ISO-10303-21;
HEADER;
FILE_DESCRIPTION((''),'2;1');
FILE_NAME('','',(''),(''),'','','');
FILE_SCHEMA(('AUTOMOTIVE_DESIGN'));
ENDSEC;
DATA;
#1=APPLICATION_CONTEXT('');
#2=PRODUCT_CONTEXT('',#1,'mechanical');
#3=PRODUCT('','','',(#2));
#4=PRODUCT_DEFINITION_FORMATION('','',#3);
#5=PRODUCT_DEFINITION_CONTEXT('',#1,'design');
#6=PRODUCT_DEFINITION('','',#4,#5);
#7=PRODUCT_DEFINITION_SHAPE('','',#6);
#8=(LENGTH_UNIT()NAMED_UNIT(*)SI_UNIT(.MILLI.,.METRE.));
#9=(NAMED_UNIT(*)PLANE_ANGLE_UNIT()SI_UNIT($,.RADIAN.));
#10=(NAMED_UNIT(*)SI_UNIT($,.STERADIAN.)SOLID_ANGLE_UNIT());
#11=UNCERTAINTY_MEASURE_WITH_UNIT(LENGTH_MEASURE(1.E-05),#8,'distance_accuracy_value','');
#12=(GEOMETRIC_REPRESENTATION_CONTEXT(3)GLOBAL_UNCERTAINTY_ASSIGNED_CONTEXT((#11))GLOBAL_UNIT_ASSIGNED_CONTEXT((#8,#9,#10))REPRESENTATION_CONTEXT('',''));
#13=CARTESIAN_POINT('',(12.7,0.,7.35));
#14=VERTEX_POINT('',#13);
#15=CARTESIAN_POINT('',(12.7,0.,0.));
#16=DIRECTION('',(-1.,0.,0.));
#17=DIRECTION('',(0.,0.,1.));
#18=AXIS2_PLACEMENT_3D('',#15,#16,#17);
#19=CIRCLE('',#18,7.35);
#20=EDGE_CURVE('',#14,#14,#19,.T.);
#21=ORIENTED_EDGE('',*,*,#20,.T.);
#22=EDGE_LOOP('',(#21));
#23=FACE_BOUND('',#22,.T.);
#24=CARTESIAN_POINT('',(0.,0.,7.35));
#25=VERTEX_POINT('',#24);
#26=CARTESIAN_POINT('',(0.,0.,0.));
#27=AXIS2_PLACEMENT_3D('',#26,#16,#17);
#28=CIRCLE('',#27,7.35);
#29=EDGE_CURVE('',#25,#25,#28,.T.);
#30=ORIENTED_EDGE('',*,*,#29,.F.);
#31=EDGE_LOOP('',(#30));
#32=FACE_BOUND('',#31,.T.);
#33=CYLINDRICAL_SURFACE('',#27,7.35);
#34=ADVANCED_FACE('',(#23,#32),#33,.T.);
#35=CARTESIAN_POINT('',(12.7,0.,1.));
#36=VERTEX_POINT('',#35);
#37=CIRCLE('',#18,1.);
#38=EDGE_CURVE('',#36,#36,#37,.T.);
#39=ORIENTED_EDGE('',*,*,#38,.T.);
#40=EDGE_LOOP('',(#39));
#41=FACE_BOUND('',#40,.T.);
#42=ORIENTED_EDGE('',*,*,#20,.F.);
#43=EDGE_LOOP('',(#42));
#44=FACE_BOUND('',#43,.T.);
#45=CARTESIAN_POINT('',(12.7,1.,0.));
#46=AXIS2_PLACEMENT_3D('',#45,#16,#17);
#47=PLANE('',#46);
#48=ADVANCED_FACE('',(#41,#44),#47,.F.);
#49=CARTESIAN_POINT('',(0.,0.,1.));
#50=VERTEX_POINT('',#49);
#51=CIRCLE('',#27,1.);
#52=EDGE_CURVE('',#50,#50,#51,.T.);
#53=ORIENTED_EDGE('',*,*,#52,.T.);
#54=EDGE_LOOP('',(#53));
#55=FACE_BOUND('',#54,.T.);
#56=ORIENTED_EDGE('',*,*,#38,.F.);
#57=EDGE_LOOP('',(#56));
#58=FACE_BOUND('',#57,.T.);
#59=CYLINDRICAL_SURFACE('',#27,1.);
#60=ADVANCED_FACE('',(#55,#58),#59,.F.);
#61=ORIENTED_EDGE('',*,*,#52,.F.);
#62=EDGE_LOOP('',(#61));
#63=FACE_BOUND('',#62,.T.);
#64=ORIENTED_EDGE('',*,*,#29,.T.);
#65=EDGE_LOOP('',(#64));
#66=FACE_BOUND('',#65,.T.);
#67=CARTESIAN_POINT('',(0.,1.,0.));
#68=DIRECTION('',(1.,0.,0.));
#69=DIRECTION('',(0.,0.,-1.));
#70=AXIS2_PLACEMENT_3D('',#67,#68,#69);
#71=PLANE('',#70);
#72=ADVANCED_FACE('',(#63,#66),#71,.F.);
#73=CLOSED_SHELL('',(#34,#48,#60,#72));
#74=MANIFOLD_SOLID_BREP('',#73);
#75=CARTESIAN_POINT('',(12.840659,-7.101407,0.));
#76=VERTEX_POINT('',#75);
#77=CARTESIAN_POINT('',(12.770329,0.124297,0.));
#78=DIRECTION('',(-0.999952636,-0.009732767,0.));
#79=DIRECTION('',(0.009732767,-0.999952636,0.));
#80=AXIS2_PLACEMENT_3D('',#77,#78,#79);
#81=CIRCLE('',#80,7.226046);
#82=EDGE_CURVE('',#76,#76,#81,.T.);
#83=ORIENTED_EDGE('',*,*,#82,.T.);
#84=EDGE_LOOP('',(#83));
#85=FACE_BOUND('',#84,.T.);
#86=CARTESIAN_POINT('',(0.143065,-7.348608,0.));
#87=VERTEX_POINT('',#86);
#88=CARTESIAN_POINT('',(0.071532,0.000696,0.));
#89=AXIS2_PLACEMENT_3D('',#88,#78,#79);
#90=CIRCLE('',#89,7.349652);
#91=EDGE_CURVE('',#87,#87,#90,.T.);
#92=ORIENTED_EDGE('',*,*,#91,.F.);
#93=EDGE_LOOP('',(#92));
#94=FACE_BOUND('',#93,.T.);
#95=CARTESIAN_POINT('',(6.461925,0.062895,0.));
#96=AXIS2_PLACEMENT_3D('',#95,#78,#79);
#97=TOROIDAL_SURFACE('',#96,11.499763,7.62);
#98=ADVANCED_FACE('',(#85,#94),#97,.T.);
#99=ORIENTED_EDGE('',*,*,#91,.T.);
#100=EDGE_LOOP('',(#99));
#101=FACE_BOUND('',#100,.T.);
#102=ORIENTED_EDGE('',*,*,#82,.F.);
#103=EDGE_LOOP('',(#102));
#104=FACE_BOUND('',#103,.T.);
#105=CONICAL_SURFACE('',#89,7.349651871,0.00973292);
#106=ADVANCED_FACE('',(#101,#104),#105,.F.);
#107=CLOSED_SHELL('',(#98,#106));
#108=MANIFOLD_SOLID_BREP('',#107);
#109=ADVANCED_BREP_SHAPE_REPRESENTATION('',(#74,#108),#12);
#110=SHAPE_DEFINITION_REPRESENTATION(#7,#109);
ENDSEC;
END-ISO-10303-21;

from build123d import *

# Parameters (mm, degrees)
SKETCH1_W = 12.7
SKETCH1_H = 6.35


with BuildPart() as part:
    # Sketch1 → Revolve1 (revolve)
    with BuildSketch(Plane.XY):
        with Locations((6.35, 4.175)):
            Rectangle(SKETCH1_W, SKETCH1_H)
    revolve(axis=Axis((0, 0, 0), (1, 0, 0)))


with BuildPart() as body_2:
    # Sketch2 → Revolve8 (revolve)
    with BuildSketch(Plane.XY):
        with BuildLine():
            Line((0, 7.35), (12.7, 7.35))
            ThreePointArc((12.7, 7.35), (6.35, 19.182113484), (0, 7.35))
        make_face()
    revolve(axis=Axis((0, 0, 0), (0.999952636, 0.009732767, 0)))


solid = Compound([part.part, body_2.part])
